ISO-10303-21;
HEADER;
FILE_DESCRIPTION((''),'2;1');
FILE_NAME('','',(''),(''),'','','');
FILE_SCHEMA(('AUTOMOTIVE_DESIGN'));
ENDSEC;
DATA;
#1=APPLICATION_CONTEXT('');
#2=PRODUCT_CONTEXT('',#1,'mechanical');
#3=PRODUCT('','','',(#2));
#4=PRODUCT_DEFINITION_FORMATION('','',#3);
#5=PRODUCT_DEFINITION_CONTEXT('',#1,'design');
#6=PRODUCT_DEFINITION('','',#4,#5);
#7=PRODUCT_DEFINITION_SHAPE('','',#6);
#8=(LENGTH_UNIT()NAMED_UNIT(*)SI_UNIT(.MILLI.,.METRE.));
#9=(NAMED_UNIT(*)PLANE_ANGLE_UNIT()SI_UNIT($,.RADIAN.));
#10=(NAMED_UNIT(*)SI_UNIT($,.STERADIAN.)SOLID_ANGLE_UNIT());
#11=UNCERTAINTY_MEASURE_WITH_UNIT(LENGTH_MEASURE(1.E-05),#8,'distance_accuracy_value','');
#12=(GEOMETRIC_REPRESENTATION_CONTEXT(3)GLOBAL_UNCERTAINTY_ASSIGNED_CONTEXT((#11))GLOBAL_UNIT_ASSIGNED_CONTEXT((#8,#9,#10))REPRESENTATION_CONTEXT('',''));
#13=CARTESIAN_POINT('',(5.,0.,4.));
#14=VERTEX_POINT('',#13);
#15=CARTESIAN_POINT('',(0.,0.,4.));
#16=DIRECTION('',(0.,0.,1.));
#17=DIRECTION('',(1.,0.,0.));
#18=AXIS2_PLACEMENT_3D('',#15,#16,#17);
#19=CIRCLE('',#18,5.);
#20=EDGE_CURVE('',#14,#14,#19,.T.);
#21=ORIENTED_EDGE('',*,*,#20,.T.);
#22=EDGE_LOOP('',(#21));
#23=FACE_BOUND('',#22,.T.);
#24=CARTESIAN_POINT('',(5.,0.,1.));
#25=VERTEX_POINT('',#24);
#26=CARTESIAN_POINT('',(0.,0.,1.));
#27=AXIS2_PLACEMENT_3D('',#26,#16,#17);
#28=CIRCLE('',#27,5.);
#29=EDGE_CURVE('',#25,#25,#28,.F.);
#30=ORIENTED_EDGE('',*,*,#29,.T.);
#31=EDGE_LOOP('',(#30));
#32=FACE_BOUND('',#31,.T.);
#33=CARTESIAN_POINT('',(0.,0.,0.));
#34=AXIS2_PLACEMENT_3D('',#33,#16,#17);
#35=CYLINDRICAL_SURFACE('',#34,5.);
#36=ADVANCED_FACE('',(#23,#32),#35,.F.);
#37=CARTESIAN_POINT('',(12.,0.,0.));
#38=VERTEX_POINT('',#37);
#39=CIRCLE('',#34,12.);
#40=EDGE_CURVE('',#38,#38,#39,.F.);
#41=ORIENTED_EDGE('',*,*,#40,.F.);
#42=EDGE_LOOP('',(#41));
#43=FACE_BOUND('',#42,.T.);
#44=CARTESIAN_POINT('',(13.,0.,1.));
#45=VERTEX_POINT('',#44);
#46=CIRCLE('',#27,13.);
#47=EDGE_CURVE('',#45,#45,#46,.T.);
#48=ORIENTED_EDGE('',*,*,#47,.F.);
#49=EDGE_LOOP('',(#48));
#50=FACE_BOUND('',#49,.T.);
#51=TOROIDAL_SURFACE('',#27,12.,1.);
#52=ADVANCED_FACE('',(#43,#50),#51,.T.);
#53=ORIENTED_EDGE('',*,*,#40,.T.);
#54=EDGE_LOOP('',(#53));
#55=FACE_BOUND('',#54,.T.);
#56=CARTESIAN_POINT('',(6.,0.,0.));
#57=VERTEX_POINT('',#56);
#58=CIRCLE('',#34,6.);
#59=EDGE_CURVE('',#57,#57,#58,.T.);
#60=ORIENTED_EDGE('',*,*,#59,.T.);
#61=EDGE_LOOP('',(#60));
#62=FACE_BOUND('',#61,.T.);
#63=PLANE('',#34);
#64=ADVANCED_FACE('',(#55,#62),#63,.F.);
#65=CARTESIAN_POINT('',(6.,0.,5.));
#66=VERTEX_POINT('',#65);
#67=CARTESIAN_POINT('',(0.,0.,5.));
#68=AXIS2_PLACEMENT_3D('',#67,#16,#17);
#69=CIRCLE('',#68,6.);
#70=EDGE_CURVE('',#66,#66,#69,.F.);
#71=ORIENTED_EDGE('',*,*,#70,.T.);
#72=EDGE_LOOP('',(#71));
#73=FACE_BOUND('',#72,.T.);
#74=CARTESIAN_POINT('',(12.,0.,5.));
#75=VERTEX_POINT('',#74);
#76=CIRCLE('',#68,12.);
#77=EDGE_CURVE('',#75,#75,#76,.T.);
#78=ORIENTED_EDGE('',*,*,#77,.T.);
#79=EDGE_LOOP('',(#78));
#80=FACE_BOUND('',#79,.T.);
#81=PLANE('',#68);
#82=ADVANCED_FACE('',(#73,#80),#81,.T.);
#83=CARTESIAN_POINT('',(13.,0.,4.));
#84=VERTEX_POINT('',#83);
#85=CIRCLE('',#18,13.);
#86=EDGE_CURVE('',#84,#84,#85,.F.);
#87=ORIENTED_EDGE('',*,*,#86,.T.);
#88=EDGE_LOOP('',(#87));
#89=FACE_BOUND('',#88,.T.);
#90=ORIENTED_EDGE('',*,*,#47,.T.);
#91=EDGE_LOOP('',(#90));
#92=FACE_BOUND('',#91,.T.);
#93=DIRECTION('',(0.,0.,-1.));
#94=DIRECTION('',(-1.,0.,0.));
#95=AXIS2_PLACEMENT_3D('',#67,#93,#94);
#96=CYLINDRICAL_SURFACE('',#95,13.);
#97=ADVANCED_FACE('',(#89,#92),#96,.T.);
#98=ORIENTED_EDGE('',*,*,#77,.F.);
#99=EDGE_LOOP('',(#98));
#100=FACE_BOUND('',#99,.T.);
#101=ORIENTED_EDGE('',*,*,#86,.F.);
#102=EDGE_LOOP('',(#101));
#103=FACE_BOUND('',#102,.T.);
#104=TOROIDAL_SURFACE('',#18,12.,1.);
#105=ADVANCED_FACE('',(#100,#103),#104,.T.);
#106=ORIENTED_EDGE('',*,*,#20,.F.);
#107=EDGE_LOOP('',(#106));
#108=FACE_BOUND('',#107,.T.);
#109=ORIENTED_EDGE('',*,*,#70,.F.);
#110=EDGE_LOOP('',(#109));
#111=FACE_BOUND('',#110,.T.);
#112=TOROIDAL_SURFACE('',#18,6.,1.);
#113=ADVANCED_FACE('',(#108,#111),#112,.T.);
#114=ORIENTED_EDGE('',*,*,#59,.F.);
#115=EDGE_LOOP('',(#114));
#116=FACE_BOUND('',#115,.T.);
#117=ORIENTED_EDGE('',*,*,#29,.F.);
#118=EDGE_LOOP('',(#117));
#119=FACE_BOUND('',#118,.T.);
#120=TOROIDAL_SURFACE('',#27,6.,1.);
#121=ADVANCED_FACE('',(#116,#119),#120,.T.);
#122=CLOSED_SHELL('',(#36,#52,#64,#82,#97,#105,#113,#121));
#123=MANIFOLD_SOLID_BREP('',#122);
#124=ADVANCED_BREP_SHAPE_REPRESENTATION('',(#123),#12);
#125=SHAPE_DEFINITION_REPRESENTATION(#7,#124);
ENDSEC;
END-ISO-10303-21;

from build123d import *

# Parameters (mm, degrees)
SKETCH_1_R      = 13
SLEEVE_DEPTH    = 5
SKETCH_2_R      = 5
BORE_DEPTH      = 20.052558883
ROUNDED_EDGES_R = 1


with BuildPart() as part:
    # 草图1 → Sleeve (new body)
    with BuildSketch(Plane.XY):
        Circle(SKETCH_1_R)
    extrude(amount=SLEEVE_DEPTH)

    # 草图2 → Bore (cut, through all)
    with BuildSketch(Plane.XY.offset(5)):
        Circle(SKETCH_2_R)
    extrude(amount=-BORE_DEPTH, mode=Mode.SUBTRACT)

    # Rounded_edges
    rounded_edges_edges = [part.edges().sort_by_distance(p)[0] for p in [
        (-13, 0, 0),
        (-13, 0, 5),
        (-5, 0, 0),
        (-5, 0, 5),
    ]]
    fillet(rounded_edges_edges, radius=ROUNDED_EDGES_R)


solid = part.part
